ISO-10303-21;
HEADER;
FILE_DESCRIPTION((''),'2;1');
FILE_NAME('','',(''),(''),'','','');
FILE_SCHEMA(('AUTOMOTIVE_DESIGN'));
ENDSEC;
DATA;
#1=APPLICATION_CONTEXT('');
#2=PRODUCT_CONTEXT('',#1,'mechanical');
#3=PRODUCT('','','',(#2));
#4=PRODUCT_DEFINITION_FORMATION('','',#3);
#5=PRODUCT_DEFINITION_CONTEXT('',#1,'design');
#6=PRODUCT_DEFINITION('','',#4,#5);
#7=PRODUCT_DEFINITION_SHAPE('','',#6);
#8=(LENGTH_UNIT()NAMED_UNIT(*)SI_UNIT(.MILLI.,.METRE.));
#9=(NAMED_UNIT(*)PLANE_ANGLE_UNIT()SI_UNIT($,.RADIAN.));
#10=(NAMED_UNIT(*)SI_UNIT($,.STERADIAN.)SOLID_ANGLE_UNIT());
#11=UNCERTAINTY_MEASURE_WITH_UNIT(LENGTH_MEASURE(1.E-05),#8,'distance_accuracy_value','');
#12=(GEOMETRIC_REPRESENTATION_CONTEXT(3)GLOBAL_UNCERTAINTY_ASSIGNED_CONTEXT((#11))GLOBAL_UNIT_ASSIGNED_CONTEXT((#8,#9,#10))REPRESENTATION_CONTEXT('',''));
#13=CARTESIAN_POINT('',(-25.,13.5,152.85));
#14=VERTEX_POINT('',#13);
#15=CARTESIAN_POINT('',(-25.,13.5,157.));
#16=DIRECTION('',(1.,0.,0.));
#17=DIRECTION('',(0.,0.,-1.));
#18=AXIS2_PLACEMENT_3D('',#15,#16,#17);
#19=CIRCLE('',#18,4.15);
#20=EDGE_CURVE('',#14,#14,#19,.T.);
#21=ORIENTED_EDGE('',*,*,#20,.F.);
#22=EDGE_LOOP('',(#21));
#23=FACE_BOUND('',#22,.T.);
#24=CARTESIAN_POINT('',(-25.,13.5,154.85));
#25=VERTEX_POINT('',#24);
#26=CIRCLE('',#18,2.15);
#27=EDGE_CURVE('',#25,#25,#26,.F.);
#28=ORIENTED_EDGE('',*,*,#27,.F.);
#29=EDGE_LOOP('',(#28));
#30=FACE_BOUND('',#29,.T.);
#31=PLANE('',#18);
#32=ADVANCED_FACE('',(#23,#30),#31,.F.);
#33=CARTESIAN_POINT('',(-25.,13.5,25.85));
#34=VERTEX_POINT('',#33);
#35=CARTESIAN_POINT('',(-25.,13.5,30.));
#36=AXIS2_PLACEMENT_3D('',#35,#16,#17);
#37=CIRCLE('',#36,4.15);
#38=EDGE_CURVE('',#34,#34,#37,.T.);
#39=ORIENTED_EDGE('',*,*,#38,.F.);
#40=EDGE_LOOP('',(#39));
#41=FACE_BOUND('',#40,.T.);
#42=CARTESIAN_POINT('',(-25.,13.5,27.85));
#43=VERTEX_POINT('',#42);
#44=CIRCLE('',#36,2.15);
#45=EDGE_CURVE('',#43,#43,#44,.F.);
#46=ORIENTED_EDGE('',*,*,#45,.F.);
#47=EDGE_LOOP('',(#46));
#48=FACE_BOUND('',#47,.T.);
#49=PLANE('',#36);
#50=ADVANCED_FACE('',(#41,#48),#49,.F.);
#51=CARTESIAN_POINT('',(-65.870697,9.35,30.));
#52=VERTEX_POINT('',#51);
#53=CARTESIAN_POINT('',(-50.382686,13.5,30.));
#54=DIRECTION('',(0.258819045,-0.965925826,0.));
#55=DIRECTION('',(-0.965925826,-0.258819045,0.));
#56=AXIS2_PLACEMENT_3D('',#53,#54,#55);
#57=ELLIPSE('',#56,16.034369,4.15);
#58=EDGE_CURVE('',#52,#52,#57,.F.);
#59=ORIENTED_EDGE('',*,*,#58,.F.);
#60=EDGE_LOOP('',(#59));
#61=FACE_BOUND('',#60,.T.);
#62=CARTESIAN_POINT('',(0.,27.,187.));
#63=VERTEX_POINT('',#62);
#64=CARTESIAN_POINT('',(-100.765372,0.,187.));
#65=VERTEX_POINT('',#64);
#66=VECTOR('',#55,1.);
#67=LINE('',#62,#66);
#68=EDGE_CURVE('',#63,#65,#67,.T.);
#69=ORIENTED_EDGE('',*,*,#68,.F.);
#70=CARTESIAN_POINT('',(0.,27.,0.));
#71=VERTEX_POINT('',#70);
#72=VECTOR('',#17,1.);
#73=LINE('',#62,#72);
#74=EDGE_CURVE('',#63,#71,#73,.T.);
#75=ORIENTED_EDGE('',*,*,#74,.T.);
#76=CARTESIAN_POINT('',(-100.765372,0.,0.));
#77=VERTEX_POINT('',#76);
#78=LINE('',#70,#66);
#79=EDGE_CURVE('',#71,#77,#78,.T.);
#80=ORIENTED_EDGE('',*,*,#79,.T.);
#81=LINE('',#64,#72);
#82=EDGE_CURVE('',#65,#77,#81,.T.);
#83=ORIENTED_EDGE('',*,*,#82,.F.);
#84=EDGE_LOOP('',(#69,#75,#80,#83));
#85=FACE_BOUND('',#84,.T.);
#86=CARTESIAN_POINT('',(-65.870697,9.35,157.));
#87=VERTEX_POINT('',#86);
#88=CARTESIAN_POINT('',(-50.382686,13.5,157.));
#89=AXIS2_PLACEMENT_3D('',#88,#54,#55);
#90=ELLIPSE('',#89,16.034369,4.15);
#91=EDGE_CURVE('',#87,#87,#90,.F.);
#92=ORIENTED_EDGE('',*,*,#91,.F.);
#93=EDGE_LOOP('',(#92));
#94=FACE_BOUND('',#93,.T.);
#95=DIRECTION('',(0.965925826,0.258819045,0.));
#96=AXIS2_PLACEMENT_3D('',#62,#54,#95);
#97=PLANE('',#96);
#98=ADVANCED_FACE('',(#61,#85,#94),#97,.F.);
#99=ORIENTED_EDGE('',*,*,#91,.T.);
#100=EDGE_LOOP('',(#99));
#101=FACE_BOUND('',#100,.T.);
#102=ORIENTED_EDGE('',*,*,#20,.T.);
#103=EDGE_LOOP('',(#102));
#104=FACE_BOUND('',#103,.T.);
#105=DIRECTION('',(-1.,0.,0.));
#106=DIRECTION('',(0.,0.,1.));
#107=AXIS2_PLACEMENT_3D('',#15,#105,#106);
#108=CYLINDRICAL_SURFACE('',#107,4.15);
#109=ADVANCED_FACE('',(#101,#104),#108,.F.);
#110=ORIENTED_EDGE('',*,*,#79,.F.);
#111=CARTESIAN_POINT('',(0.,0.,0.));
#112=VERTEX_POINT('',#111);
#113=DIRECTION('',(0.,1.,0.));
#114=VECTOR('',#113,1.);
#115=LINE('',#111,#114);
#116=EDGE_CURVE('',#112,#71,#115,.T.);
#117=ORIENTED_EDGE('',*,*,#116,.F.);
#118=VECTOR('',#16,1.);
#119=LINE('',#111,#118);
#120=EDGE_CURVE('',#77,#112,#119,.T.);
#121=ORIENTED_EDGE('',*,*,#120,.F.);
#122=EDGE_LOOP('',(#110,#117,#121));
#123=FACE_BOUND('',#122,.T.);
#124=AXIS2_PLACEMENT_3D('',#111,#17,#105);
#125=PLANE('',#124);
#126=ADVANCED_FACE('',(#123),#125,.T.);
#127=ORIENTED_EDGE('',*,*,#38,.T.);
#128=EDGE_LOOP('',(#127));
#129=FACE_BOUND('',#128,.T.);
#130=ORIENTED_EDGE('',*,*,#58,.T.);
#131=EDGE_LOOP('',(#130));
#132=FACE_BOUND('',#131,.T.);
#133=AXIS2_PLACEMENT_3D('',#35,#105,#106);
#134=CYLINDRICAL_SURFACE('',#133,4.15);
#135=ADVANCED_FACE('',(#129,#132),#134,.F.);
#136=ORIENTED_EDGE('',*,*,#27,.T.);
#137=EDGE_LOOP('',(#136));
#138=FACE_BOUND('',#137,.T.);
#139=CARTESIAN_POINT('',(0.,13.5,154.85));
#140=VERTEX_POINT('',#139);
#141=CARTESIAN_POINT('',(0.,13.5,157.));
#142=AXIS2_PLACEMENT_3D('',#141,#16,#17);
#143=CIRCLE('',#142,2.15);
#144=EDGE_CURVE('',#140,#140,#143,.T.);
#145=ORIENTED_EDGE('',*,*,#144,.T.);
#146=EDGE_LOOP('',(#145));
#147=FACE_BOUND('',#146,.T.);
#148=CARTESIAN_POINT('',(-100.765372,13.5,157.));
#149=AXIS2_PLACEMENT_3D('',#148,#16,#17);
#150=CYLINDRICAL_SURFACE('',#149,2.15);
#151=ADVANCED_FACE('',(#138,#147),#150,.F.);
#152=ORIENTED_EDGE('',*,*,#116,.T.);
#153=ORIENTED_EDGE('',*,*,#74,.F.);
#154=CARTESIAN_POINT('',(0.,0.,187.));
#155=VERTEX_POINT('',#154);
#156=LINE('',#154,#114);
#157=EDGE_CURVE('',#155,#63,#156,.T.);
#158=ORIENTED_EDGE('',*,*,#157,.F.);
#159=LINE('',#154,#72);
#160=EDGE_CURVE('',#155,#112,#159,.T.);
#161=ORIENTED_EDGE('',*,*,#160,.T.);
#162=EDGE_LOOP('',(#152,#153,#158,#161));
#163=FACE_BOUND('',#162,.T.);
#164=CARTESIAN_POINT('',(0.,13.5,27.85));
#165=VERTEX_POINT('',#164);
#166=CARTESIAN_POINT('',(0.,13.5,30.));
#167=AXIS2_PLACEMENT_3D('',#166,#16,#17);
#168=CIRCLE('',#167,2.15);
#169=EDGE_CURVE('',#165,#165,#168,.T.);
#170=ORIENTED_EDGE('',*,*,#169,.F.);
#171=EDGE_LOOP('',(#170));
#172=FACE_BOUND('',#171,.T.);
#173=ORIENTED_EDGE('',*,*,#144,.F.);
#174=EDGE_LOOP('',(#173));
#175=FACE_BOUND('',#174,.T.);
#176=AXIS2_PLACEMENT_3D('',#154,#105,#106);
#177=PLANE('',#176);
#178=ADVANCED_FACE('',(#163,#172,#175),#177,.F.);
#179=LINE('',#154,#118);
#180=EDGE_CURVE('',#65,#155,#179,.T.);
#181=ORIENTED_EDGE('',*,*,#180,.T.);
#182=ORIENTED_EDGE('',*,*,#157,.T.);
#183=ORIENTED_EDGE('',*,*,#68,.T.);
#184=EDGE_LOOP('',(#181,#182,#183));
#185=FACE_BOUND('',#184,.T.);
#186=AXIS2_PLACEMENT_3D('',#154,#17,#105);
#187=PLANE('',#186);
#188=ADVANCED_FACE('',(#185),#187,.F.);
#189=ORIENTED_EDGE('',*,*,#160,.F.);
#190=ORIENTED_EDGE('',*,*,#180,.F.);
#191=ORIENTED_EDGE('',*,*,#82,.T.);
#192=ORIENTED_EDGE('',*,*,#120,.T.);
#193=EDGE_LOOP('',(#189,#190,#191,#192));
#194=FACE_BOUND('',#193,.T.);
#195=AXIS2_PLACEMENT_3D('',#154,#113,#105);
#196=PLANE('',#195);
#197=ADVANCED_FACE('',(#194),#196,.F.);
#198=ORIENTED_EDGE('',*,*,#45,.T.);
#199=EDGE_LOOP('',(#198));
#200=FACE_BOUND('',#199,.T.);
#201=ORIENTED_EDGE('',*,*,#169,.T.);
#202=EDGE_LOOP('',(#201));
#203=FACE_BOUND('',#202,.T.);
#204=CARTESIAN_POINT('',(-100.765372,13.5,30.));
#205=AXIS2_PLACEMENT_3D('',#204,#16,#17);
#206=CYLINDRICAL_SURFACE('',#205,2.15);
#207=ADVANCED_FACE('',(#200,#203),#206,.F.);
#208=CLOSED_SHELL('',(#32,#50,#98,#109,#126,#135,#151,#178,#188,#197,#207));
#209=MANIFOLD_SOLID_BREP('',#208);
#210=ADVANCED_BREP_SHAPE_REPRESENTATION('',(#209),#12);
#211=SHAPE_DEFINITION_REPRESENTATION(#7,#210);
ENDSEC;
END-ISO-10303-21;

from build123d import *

# Parameters (mm, degrees)
RESSALTO_EXTRUS_O1_DEPTH = 187
ESBO_O6_R                = 2.15
CORTE_EXTRUS_O1_DEPTH    = 101.765371804
ESBO_O8_R                = 4.15
CORTE_EXTRUS_O2_DEPTH    = 75


with BuildPart() as part:
    # Esboço1 → Ressalto-extrusão1 (new body)
    with BuildSketch(Plane.XY):
        Polygon((0, 0), (0, 27), (-100.765371804, 0), align=None)
    extrude(amount=RESSALTO_EXTRUS_O1_DEPTH)

    # Esboço6 → Corte-extrusão1 (cut, through all)
    with BuildSketch(Plane(origin=(0, 0, 0), x_dir=(0, 0, -1), z_dir=(1, 0, 0))):
        with Locations((-30, 13.5)):
            Circle(ESBO_O6_R)
        with Locations((-157, 13.5)):
            Circle(ESBO_O6_R)
    extrude(amount=-CORTE_EXTRUS_O1_DEPTH, mode=Mode.SUBTRACT)

    # Esboço8 → Corte-extrusão2 (cut)
    with BuildSketch(Plane(origin=(-100, 0, 0), x_dir=(0, 0, -1), z_dir=(1, 0, 0))):
        with Locations((-30, 13.5)):
            Circle(ESBO_O8_R)
        with Locations((-157, 13.5)):
            Circle(ESBO_O8_R)
    extrude(amount=CORTE_EXTRUS_O2_DEPTH, mode=Mode.SUBTRACT)


solid = part.part
